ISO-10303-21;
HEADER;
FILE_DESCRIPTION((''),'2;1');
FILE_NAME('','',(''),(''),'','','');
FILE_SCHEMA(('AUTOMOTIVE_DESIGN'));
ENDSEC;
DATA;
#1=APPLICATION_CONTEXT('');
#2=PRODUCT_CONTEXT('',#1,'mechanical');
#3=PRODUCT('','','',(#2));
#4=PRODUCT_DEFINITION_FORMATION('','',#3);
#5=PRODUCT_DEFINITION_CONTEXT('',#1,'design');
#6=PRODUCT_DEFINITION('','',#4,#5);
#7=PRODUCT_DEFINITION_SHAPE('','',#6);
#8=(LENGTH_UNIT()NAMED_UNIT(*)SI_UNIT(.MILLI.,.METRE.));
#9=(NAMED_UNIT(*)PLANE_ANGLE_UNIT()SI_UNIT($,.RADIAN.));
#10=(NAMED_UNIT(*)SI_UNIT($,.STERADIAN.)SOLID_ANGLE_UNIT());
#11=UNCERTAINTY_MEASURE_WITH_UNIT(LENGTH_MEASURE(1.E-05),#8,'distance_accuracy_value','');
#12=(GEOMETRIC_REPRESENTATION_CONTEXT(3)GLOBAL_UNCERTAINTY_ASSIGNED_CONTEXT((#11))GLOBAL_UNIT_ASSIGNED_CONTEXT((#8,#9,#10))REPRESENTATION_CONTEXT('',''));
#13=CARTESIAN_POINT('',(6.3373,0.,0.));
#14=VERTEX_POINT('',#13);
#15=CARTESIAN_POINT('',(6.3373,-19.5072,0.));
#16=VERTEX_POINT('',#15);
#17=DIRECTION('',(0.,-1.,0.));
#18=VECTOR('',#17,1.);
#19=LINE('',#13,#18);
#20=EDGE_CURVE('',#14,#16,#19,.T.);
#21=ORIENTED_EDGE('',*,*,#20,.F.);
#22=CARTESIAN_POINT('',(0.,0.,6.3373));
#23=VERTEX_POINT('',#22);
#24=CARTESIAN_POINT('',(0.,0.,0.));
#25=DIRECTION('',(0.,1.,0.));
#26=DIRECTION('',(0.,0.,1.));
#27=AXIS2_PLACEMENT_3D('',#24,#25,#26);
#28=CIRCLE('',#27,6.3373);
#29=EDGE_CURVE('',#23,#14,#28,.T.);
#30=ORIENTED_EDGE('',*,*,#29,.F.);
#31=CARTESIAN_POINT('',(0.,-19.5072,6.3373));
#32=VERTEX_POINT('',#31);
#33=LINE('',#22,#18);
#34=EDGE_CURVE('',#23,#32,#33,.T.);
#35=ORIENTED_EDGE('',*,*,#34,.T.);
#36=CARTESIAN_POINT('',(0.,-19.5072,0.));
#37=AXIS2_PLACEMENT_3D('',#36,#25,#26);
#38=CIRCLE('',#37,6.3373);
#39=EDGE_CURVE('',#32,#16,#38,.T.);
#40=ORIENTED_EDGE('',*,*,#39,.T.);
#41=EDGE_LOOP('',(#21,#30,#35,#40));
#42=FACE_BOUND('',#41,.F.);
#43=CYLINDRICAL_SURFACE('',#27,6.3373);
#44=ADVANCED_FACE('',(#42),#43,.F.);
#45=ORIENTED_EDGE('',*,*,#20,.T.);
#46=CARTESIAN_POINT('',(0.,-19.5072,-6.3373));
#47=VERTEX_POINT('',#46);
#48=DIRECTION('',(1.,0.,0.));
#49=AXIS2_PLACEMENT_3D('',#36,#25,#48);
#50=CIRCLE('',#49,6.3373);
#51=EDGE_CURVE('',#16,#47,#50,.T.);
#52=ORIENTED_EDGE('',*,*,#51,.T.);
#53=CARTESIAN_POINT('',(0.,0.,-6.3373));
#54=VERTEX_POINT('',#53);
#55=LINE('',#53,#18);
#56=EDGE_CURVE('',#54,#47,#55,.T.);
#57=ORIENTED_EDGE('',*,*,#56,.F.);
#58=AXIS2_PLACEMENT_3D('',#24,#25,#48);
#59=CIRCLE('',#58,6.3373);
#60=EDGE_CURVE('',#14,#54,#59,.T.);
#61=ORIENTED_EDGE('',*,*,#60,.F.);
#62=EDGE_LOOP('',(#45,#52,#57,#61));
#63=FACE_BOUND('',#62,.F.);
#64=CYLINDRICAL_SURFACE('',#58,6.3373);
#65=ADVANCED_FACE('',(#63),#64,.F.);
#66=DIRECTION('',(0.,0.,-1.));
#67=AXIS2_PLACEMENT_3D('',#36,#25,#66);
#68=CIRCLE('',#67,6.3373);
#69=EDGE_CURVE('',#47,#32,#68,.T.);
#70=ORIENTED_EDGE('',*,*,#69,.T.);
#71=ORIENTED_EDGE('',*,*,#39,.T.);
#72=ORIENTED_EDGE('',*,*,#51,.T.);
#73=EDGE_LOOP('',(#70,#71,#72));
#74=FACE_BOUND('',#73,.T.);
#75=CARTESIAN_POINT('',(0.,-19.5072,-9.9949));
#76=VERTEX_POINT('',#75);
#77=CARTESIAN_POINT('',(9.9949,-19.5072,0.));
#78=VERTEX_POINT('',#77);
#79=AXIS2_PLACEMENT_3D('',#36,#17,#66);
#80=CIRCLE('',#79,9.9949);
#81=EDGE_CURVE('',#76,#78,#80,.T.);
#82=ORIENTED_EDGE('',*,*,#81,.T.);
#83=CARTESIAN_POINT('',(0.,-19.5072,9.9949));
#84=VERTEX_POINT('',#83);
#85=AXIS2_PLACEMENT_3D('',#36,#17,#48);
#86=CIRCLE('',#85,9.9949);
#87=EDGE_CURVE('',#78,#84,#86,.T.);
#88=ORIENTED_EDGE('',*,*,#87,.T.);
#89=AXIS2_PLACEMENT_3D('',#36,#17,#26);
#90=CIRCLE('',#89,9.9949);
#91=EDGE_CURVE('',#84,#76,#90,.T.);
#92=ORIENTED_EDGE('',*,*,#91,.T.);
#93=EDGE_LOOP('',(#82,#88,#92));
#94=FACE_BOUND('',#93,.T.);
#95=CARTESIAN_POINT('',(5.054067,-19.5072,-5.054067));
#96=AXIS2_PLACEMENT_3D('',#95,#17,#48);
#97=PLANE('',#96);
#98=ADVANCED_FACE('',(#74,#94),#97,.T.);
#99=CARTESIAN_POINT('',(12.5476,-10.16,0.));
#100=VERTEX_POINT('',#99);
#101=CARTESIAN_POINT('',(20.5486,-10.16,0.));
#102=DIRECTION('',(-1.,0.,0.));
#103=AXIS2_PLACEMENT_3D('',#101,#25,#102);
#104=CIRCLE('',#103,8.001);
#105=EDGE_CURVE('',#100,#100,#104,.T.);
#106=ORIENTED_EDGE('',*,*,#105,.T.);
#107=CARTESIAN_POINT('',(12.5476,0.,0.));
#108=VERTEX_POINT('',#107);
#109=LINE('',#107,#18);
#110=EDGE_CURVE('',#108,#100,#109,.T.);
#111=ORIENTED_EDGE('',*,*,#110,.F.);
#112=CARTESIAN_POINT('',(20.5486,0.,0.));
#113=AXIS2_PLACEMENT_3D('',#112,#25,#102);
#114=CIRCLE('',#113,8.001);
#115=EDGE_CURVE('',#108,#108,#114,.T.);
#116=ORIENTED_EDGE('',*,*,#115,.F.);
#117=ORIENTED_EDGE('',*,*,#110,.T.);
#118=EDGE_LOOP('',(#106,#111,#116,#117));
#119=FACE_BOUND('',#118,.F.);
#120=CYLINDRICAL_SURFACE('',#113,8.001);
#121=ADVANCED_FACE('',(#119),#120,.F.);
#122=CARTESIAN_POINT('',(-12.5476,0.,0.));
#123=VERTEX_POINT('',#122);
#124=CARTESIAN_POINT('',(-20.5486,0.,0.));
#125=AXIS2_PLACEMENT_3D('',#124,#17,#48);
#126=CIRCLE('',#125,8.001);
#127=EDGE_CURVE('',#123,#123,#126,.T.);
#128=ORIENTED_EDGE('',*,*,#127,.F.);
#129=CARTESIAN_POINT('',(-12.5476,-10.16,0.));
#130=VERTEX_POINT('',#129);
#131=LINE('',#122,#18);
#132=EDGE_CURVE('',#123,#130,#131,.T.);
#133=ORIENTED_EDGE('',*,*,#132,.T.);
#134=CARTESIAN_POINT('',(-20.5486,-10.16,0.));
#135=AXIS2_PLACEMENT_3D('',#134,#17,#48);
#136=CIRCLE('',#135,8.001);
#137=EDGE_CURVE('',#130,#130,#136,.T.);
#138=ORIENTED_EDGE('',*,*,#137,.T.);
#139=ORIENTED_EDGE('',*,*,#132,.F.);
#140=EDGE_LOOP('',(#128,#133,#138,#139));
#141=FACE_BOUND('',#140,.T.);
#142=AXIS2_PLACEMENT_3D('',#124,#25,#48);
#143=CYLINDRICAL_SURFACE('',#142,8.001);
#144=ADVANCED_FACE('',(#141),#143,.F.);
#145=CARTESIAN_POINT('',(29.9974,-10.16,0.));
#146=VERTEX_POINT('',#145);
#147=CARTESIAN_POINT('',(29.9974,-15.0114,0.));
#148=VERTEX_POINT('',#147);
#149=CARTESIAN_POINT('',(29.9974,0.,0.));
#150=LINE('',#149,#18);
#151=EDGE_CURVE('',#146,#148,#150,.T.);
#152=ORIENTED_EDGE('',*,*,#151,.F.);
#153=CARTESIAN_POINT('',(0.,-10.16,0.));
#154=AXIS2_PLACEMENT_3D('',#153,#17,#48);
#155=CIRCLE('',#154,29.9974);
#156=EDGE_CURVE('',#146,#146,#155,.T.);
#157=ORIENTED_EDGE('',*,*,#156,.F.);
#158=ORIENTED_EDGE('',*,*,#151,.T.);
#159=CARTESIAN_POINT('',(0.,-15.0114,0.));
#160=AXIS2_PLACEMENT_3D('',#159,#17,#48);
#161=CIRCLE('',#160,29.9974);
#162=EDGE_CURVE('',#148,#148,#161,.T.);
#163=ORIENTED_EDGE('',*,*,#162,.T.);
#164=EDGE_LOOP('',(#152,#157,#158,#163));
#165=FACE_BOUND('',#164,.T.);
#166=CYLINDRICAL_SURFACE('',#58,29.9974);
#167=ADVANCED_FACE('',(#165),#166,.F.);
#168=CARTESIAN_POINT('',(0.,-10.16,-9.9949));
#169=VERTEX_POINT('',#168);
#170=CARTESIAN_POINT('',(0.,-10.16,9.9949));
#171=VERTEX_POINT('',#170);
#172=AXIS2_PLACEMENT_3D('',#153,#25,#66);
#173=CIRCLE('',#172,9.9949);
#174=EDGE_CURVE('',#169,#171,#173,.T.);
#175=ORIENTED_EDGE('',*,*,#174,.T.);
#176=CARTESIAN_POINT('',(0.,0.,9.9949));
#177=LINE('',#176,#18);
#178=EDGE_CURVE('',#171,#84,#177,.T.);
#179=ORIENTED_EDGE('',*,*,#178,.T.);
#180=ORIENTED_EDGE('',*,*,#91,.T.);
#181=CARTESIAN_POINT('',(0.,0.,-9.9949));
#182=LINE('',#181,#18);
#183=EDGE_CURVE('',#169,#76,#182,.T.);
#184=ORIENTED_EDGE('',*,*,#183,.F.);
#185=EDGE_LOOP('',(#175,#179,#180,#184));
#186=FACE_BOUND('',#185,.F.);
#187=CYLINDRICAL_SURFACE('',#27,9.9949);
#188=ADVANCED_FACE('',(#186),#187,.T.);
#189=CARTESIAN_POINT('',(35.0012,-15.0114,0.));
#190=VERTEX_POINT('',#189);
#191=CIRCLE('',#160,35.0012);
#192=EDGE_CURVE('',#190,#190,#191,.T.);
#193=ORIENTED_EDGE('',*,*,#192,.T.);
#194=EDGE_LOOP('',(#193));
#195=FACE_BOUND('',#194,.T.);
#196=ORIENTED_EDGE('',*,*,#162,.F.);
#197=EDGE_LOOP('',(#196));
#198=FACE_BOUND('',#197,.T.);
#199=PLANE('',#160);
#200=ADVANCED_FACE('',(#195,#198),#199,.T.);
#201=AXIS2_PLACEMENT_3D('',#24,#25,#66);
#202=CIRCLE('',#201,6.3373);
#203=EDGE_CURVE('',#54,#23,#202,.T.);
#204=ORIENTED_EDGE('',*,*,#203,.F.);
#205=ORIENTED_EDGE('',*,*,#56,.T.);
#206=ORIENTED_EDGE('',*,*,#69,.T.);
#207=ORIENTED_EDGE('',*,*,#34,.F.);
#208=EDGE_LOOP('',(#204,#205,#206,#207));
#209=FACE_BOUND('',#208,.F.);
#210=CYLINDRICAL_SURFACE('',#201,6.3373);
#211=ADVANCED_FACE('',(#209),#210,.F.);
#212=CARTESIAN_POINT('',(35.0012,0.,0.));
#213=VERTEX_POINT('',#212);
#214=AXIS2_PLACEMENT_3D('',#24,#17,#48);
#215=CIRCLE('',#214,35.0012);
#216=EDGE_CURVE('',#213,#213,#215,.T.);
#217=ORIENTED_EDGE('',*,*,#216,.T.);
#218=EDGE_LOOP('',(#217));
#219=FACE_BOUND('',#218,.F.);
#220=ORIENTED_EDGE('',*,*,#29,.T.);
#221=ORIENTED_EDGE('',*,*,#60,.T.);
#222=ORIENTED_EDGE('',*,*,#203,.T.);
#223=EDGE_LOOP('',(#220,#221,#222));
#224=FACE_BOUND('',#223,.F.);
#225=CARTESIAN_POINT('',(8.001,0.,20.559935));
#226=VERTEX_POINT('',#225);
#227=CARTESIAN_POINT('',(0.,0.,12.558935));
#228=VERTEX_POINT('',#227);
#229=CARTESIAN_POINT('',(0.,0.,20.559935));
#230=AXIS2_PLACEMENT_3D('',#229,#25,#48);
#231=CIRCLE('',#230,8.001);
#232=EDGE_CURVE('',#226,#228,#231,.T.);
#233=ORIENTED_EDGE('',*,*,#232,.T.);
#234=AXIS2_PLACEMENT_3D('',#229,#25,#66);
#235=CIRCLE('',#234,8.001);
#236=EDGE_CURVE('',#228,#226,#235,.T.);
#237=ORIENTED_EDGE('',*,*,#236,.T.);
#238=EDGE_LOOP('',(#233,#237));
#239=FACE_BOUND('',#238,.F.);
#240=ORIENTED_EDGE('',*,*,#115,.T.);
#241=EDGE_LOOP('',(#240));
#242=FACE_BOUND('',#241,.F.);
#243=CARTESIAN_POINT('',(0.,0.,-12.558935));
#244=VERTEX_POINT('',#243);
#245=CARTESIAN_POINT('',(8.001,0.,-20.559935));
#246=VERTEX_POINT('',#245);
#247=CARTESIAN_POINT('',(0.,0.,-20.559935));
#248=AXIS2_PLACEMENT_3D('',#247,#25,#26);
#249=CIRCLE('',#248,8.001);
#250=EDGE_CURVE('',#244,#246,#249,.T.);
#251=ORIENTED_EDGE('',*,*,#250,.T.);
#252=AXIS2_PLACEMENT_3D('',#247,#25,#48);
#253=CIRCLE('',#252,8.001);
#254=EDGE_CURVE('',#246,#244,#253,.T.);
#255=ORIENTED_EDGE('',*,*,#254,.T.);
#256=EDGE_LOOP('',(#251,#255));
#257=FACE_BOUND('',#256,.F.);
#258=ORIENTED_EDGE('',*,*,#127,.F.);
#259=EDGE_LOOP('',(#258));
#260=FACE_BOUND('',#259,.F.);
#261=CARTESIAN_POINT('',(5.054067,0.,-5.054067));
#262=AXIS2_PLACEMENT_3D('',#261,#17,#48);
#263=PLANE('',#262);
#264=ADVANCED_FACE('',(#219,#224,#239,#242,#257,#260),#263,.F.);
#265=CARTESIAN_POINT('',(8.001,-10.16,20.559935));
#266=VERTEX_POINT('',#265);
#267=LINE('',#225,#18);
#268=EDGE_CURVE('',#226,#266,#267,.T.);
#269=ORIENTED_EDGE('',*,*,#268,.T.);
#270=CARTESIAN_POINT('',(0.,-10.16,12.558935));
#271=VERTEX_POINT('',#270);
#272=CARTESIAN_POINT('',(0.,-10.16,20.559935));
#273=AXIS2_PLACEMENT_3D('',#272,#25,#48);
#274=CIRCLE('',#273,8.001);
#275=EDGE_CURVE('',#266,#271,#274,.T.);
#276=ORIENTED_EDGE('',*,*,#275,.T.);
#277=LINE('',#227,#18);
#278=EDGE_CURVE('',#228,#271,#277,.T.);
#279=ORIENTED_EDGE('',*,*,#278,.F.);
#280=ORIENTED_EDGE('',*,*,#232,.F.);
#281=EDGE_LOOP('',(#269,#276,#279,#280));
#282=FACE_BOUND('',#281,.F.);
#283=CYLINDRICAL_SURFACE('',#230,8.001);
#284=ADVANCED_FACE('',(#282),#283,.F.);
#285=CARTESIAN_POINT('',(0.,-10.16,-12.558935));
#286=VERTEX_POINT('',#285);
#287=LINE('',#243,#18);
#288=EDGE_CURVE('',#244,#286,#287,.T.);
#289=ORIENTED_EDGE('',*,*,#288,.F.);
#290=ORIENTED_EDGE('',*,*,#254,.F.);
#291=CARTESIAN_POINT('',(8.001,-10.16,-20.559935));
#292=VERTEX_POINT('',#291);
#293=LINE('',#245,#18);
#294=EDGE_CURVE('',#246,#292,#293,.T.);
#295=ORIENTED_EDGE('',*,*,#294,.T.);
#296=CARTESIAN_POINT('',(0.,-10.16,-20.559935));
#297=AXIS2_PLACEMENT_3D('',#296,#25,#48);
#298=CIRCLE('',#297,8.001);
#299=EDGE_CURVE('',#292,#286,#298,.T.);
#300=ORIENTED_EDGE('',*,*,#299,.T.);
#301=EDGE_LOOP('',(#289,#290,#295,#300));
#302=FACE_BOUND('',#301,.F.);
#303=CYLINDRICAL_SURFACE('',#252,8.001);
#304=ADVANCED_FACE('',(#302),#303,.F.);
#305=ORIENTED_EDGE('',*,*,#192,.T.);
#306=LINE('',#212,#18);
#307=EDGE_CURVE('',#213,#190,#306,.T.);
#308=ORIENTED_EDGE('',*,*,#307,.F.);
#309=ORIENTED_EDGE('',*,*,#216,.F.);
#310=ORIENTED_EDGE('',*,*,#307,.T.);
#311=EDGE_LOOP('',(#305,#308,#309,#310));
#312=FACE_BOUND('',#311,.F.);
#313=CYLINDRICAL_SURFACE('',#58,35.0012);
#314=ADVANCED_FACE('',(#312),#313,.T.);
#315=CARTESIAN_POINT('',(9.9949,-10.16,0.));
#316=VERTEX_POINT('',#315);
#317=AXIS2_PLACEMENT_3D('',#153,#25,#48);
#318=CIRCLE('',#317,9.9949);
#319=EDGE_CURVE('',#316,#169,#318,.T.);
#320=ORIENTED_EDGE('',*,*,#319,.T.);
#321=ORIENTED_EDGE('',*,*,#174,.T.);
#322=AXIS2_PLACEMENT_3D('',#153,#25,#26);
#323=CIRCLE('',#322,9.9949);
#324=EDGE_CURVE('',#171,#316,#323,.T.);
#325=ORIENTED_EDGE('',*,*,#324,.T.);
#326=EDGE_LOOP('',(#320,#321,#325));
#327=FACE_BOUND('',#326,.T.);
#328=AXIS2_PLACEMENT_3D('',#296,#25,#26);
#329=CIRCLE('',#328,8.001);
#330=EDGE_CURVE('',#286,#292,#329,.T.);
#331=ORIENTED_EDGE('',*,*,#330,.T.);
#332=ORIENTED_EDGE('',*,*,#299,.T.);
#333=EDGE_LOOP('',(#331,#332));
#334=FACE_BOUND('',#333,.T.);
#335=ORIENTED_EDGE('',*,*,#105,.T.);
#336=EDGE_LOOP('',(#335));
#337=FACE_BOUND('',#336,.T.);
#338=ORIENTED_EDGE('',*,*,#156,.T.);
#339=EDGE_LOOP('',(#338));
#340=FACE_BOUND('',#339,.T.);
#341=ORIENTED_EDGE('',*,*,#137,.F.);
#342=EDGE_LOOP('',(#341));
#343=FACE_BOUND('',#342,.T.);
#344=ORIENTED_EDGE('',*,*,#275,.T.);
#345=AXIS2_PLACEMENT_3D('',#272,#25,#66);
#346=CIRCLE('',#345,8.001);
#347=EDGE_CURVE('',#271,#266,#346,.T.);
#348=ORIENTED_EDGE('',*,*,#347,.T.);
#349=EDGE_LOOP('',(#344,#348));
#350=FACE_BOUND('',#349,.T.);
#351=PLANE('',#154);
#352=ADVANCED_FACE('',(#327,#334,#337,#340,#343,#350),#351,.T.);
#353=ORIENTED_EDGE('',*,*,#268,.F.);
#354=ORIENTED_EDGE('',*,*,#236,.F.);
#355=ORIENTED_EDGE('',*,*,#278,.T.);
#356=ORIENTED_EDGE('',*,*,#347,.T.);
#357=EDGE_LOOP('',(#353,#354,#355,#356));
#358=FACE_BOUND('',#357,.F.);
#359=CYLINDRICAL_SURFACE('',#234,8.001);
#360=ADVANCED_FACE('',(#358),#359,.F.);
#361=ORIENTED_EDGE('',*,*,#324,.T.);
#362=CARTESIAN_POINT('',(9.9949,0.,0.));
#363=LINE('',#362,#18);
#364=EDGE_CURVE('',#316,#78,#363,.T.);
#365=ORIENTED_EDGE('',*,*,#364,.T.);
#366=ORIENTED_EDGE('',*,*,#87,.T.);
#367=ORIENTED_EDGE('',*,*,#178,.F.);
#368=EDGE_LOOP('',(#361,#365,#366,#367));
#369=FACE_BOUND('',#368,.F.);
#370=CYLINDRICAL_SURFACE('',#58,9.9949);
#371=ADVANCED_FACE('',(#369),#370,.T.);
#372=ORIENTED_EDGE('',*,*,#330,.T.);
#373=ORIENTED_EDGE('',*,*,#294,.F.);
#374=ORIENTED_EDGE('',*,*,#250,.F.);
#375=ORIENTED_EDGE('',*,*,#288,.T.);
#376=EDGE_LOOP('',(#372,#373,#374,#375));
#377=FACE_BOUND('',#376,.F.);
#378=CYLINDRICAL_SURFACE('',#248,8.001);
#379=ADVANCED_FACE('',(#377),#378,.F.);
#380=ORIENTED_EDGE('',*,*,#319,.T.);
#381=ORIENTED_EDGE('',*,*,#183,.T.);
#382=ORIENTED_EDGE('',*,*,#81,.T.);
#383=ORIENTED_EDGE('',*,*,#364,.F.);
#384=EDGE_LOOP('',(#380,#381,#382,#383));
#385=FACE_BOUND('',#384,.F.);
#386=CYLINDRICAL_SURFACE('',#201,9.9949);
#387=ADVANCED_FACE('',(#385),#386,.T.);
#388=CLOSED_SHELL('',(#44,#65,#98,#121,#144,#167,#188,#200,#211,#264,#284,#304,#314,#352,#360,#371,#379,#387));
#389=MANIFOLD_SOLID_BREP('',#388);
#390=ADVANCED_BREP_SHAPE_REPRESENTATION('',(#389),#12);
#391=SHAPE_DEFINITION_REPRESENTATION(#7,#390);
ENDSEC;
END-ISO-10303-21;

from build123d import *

# Parameters (mm, degrees)
F0_R     = 29.9974
F0_R_2   = 8.001
F1_DEPTH = 10.16
F0_R_3   = 35.0012
F2_DEPTH = 15.0114
F3_DEPTH = 19.5072


with BuildPart() as f1:
    # F0 (on Front) → F1 (new body)
    with BuildSketch(Plane.XZ):
        Circle(F0_R)
        with BuildLine():
            ThreePointArc((8.001, -20.5599348992), (-5.6575613563, -26.2174962555), (0, -12.5589348992))
            ThreePointArc((0, -12.5589348992), (5.6575613563, -14.9023735429), (8.001, -20.5599348992))
        make_face(mode=Mode.SUBTRACT)
        with Locations((-20.5486, 0)):
            Circle(F0_R_2, mode=Mode.SUBTRACT)
        with BuildLine():
            ThreePointArc((0, 9.9949), (7.0674615673, 7.0674615673), (9.9949, 0))
            ThreePointArc((9.9949, 0), (7.0674615673, -7.0674615673), (0, -9.9949))
            ThreePointArc((0, -9.9949), (-9.9949, 0), (0, 9.9949))
        make_face(mode=Mode.SUBTRACT)
        with BuildLine():
            ThreePointArc((28.5496, 0), (20.5486, -8.001), (12.5476, 0))
            ThreePointArc((12.5476, 0), (20.5486, 8.001), (28.5496, 0))
        make_face(mode=Mode.SUBTRACT)
        with BuildLine():
            ThreePointArc((8.001, 20.5599348992), (5.6575613563, 14.9023735429), (0, 12.5589348992))
            ThreePointArc((0, 12.5589348992), (-5.6575613563, 26.2174962555), (8.001, 20.5599348992))
        make_face(mode=Mode.SUBTRACT)
    extrude(amount=F1_DEPTH)

    # F0 (on Front) → F2 (join)
    with BuildSketch(Plane.XZ):
        Circle(F0_R_3)
        Circle(F0_R, mode=Mode.SUBTRACT)
    extrude(amount=F2_DEPTH)

    # F0 (on Front) → F3 (join)
    with BuildSketch(Plane.XZ):
        with BuildLine():
            Line((9.9949, 0), (6.3373, 0))
            ThreePointArc((6.3373, 0), (4.4811478044, -4.4811478044), (0, -6.3373))
            Line((0, -6.3373), (0, -9.9949))
            ThreePointArc((0, -9.9949), (7.0674615673, -7.0674615673), (9.9949, 0))
        make_face()
        with BuildLine():
            ThreePointArc((0, 6.3373), (4.4811478044, 4.4811478044), (6.3373, 0))
            Line((6.3373, 0), (9.9949, 0))
            ThreePointArc((9.9949, 0), (7.0674615673, 7.0674615673), (0, 9.9949))
            Line((0, 9.9949), (0, 6.3373))
        make_face()
        with BuildLine():
            ThreePointArc((0, -6.3373), (-6.3373, 0), (0, 6.3373))
            Line((0, 6.3373), (0, 9.9949))
            ThreePointArc((0, 9.9949), (-9.9949, 0), (0, -9.9949))
            Line((0, -9.9949), (0, -6.3373))
        make_face()
    extrude(amount=F3_DEPTH)


solid = f1.part
